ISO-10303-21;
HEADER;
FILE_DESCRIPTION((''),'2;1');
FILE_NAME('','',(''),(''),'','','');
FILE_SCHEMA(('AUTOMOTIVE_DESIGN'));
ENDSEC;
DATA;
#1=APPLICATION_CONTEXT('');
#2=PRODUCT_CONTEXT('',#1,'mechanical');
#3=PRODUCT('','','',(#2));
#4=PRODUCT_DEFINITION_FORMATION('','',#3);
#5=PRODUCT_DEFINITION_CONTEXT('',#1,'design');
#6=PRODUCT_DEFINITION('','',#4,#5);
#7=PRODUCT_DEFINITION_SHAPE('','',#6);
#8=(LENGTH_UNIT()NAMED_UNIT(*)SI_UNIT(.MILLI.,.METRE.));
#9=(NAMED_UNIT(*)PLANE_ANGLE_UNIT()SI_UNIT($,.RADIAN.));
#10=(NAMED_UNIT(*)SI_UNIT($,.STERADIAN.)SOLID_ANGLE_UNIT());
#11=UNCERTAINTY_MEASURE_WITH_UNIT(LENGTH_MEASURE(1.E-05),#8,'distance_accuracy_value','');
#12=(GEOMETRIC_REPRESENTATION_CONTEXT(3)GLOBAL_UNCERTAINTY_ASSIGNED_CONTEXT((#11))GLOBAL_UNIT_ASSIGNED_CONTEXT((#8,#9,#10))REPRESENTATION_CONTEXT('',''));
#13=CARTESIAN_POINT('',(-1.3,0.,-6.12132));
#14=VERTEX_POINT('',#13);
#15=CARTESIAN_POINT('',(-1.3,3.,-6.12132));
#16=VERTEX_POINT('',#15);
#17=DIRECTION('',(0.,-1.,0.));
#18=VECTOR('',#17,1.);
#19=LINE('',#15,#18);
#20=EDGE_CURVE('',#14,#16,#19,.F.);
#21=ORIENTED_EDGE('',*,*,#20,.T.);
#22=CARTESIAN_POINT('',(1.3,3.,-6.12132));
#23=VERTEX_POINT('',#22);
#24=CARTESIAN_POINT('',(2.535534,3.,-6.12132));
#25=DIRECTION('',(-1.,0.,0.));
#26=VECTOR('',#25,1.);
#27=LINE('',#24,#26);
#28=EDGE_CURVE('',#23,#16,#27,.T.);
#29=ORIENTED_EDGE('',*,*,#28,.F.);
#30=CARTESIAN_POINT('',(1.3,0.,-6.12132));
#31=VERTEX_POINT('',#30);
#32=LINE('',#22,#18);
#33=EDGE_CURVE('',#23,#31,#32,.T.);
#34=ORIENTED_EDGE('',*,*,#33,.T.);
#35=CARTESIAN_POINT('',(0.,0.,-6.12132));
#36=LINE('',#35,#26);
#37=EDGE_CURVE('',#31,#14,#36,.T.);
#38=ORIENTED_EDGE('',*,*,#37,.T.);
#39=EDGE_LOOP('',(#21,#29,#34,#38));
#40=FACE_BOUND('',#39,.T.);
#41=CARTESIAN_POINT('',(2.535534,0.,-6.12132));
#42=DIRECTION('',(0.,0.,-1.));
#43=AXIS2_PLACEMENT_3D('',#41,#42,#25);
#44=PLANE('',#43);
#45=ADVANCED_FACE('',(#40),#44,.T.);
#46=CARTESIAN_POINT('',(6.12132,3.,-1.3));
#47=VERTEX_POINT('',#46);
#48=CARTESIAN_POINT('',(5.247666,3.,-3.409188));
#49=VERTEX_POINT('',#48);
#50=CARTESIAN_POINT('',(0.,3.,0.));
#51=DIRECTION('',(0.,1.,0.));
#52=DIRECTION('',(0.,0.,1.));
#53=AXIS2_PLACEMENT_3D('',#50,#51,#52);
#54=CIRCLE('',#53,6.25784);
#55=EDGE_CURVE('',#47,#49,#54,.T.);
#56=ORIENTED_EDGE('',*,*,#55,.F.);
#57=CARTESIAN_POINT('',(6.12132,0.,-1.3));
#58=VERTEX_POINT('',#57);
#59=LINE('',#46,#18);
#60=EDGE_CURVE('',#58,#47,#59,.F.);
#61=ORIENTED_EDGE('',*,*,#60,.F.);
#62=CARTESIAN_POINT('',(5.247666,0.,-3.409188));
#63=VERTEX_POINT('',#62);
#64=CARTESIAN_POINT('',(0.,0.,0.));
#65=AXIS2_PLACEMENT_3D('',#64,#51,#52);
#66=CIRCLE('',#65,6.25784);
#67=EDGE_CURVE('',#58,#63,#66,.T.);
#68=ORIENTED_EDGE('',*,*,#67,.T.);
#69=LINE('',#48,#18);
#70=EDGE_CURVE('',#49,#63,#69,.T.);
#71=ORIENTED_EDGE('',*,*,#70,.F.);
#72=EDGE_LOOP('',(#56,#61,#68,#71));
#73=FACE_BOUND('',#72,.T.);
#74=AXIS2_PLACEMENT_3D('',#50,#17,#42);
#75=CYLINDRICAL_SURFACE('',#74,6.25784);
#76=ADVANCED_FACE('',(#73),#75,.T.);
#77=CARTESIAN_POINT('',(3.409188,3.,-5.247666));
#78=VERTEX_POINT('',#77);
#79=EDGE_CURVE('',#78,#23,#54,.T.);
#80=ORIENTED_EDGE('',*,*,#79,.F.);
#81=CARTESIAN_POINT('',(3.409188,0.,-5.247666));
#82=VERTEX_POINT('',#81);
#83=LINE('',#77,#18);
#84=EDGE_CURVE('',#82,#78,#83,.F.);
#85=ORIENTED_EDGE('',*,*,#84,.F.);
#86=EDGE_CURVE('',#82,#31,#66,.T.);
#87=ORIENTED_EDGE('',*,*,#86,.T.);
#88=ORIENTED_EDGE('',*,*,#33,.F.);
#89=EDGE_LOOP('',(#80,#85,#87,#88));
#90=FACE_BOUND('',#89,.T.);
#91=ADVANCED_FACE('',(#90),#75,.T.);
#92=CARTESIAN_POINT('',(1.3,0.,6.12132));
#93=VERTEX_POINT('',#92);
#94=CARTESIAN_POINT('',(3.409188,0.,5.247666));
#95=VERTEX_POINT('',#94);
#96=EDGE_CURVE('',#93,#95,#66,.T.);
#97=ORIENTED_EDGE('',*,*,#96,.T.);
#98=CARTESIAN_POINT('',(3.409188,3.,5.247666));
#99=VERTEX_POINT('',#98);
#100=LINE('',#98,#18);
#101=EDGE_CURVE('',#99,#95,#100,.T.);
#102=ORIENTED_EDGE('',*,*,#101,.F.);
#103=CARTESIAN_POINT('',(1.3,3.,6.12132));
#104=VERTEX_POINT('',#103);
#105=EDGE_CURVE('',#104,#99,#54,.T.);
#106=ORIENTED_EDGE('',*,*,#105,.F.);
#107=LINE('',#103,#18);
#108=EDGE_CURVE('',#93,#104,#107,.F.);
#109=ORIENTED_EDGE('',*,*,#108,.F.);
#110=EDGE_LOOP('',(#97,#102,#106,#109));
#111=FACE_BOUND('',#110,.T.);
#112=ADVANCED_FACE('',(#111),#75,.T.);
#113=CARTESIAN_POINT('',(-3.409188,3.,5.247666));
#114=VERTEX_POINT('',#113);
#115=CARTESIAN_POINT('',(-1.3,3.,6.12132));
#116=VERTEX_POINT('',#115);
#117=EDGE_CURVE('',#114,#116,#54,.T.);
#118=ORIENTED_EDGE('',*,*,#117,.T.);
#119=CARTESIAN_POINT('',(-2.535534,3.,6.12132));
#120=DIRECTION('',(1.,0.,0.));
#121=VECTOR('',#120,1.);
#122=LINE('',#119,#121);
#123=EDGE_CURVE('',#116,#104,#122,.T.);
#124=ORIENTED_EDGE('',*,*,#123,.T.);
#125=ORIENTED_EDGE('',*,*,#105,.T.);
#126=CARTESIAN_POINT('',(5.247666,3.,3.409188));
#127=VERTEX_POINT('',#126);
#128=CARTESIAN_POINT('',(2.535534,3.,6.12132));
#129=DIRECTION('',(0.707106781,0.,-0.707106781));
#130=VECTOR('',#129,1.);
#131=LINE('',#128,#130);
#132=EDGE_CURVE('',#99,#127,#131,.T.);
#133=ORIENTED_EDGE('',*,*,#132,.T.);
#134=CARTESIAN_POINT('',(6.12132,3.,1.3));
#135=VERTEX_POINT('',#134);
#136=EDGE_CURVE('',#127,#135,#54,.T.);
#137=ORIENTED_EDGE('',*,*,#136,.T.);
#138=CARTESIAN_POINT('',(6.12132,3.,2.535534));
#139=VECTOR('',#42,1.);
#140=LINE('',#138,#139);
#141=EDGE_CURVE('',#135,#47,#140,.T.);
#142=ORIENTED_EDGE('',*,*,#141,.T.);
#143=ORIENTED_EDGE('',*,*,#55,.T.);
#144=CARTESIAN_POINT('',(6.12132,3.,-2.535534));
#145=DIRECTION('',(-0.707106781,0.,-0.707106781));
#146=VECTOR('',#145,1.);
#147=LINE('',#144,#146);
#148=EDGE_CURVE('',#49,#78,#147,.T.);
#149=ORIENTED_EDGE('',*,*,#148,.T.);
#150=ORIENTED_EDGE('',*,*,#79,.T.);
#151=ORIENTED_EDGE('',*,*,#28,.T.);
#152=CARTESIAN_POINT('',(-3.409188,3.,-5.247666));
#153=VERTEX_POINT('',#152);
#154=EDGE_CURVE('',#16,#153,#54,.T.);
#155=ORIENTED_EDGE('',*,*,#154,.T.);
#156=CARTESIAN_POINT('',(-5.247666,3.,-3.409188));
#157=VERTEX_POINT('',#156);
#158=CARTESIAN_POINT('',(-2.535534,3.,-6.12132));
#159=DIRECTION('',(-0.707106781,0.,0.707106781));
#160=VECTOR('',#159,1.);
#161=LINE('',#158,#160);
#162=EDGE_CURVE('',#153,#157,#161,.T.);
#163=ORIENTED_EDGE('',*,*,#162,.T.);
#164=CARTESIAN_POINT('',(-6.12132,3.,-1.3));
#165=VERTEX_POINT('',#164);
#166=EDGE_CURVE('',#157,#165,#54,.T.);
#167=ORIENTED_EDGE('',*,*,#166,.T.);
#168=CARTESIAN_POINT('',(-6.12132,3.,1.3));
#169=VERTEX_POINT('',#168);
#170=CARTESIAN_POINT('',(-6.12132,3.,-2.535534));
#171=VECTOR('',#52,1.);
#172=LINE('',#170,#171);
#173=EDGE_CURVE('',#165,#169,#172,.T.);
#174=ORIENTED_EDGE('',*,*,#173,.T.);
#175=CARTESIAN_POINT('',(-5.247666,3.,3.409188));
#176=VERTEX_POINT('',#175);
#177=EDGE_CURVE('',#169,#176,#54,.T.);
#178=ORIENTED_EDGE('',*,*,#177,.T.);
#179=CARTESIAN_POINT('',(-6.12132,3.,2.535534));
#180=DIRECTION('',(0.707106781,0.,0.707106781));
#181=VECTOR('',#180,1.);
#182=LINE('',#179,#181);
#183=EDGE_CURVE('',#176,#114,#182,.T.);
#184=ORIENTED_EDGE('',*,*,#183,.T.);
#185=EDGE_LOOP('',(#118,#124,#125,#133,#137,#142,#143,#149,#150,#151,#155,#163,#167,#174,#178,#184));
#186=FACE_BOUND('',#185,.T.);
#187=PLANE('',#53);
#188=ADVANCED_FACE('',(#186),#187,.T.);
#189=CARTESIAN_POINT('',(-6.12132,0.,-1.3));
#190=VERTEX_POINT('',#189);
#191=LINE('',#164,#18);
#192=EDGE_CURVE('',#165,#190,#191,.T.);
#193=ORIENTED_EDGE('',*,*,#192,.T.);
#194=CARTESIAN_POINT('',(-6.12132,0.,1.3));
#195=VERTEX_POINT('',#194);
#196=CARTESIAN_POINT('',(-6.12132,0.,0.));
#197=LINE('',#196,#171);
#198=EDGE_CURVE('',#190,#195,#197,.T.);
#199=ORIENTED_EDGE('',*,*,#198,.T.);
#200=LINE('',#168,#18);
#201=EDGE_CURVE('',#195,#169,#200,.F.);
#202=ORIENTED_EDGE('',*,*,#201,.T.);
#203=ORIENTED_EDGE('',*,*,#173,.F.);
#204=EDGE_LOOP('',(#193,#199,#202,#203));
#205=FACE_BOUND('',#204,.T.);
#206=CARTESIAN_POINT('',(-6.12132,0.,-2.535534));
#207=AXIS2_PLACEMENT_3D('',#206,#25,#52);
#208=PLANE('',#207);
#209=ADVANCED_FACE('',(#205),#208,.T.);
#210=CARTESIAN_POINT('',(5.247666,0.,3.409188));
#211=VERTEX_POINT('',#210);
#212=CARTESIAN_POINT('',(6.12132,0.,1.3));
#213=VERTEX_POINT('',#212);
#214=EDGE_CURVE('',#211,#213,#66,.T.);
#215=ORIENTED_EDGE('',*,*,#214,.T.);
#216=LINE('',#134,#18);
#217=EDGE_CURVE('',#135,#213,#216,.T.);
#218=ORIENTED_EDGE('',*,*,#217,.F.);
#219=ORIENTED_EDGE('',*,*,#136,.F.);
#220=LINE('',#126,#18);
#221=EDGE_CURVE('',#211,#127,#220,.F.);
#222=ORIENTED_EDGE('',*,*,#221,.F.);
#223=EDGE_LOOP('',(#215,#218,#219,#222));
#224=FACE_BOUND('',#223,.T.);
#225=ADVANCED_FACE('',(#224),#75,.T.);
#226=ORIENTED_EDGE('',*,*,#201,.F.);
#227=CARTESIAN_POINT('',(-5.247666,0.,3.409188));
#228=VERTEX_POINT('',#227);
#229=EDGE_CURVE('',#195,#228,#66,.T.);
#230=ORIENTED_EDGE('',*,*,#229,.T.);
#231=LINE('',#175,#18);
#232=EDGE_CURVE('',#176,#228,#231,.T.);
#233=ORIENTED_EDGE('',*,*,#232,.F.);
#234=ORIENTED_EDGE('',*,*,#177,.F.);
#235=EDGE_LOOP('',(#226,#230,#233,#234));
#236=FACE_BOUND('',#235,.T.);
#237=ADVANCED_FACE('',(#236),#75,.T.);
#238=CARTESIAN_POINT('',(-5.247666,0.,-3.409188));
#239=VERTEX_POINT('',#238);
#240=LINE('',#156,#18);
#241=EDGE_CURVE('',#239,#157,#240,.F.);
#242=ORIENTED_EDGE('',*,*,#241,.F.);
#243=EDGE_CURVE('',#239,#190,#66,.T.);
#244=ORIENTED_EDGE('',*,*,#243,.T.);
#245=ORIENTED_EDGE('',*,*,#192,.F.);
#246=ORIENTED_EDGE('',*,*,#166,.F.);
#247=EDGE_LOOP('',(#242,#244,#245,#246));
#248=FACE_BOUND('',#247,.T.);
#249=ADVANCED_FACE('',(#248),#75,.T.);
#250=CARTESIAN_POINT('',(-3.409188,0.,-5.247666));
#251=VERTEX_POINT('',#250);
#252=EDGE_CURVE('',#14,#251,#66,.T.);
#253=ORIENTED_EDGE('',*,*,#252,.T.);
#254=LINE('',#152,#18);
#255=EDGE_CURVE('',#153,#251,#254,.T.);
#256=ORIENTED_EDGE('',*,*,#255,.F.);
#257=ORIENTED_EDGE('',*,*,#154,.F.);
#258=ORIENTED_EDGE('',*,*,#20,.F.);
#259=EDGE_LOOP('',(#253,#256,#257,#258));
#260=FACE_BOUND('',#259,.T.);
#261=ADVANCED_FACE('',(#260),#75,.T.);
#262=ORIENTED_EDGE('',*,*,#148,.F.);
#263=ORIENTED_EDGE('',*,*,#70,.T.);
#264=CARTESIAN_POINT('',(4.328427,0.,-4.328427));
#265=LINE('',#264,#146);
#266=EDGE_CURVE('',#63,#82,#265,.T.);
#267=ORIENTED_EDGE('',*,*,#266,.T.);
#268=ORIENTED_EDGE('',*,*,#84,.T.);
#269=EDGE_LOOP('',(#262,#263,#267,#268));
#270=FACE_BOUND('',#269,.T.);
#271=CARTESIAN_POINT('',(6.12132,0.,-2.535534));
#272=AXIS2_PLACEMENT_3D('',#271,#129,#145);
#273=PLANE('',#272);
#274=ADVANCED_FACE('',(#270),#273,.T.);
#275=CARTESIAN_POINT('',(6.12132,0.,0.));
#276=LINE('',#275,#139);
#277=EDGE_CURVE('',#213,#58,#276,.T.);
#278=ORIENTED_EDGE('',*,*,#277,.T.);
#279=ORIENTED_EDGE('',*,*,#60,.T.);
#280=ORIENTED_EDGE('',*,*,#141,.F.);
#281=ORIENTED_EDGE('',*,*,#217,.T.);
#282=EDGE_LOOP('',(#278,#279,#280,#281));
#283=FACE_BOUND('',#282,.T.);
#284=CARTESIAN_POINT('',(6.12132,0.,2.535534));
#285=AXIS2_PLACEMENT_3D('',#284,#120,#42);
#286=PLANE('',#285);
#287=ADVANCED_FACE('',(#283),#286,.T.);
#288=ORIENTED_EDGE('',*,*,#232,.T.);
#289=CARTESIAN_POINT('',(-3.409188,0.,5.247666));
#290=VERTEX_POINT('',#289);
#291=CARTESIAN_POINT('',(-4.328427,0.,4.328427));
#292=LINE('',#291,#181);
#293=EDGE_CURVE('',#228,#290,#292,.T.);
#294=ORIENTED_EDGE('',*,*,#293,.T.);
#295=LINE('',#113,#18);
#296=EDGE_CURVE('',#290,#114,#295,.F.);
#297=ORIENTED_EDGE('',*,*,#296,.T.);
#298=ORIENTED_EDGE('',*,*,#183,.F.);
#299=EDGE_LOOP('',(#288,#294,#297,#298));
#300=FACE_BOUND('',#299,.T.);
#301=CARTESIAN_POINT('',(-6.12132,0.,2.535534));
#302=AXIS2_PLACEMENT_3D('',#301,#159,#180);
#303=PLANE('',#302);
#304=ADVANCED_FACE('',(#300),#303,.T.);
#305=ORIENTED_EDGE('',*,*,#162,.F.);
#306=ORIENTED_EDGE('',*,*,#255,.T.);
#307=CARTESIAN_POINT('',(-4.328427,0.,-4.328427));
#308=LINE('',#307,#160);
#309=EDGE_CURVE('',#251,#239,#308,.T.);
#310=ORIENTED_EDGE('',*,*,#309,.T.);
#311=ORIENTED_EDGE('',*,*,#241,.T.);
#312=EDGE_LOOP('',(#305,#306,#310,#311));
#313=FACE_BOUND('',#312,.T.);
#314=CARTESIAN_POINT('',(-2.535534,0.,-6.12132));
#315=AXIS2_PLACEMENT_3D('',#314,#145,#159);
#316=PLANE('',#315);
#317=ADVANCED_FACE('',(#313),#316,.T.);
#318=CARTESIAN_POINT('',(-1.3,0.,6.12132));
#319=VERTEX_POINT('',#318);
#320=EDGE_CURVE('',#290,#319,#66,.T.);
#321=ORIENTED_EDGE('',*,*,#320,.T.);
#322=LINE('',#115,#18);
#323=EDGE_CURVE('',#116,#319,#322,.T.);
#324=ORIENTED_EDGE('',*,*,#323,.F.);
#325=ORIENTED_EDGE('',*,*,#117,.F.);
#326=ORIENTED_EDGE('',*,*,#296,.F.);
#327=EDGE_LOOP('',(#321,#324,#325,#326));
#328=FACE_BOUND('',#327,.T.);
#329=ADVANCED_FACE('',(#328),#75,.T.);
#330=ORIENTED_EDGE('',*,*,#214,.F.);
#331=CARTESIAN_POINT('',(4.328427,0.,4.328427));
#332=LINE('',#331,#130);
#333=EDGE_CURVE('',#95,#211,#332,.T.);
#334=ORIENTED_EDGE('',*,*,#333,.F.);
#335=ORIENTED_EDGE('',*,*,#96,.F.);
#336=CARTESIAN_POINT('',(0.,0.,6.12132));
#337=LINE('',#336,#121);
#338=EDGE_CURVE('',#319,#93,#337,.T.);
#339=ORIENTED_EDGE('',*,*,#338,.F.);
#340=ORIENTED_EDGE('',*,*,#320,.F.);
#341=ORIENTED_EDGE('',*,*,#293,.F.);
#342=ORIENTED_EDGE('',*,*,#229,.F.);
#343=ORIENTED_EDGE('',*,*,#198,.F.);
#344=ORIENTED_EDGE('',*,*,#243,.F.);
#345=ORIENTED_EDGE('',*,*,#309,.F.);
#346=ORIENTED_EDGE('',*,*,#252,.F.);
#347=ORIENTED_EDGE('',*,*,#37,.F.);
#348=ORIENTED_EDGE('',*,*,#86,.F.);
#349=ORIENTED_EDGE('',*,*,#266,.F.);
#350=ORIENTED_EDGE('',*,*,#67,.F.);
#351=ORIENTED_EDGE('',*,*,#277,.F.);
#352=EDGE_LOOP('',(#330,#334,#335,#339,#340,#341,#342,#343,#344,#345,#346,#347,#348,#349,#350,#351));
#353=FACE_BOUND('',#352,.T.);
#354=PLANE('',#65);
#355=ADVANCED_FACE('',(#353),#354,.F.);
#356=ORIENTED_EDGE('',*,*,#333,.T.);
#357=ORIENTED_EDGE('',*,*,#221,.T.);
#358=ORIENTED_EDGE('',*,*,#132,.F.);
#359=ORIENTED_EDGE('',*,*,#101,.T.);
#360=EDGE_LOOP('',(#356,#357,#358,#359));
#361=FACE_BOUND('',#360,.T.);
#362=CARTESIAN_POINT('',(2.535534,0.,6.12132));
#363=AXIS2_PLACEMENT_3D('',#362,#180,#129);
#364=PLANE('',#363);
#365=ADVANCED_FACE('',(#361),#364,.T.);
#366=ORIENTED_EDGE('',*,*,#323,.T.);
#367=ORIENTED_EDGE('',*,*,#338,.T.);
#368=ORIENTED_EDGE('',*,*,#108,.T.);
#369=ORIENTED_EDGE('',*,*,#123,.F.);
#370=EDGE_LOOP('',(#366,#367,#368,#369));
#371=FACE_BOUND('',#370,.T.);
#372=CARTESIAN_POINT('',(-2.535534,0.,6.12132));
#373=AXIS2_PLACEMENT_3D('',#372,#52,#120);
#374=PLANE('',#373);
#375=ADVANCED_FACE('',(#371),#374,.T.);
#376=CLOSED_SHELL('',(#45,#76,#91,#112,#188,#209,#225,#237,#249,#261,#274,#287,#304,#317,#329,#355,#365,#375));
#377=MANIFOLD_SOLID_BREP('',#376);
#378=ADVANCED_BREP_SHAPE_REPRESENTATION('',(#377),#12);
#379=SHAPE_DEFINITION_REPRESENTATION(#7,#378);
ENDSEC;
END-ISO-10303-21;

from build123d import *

# Parameters (mm, degrees)
SKETCH1_R           = 6.257840103
BOSS_EXTRUDE1_DEPTH = 3
SKETCH2_R           = 8.121320344
CUT_EXTRUDE1_DEPTH  = 10.344577331


with BuildPart() as part:
    # Sketch1 → Boss-Extrude1 (new body)
    with BuildSketch(Plane(origin=(0, 0, 0), x_dir=(1, 0, 0), z_dir=(0, 1, 0))):
        with Locations(Location((0, 0, 0), (0, 0, 270))):
            Circle(SKETCH1_R)
    extrude(amount=BOSS_EXTRUDE1_DEPTH)

    # Sketch2 → Cut-Extrude1 (cut, through all)
    with BuildSketch(Plane(origin=(0, 3, 0), x_dir=(1, 0, 0), z_dir=(0, 1, 0))):
        Circle(SKETCH2_R)
        Polygon((6.121320344, -2.535533906), (6.121320344, 2.535533906), (2.535533906, 6.121320344), (-2.535533906, 6.121320344), (-6.121320344, 2.535533906), (-6.121320344, -2.535533906), (-2.535533906, -6.121320344), (2.535533906, -6.121320344), align=None, mode=Mode.SUBTRACT)
    extrude(amount=-CUT_EXTRUDE1_DEPTH, mode=Mode.SUBTRACT)


solid = part.part
